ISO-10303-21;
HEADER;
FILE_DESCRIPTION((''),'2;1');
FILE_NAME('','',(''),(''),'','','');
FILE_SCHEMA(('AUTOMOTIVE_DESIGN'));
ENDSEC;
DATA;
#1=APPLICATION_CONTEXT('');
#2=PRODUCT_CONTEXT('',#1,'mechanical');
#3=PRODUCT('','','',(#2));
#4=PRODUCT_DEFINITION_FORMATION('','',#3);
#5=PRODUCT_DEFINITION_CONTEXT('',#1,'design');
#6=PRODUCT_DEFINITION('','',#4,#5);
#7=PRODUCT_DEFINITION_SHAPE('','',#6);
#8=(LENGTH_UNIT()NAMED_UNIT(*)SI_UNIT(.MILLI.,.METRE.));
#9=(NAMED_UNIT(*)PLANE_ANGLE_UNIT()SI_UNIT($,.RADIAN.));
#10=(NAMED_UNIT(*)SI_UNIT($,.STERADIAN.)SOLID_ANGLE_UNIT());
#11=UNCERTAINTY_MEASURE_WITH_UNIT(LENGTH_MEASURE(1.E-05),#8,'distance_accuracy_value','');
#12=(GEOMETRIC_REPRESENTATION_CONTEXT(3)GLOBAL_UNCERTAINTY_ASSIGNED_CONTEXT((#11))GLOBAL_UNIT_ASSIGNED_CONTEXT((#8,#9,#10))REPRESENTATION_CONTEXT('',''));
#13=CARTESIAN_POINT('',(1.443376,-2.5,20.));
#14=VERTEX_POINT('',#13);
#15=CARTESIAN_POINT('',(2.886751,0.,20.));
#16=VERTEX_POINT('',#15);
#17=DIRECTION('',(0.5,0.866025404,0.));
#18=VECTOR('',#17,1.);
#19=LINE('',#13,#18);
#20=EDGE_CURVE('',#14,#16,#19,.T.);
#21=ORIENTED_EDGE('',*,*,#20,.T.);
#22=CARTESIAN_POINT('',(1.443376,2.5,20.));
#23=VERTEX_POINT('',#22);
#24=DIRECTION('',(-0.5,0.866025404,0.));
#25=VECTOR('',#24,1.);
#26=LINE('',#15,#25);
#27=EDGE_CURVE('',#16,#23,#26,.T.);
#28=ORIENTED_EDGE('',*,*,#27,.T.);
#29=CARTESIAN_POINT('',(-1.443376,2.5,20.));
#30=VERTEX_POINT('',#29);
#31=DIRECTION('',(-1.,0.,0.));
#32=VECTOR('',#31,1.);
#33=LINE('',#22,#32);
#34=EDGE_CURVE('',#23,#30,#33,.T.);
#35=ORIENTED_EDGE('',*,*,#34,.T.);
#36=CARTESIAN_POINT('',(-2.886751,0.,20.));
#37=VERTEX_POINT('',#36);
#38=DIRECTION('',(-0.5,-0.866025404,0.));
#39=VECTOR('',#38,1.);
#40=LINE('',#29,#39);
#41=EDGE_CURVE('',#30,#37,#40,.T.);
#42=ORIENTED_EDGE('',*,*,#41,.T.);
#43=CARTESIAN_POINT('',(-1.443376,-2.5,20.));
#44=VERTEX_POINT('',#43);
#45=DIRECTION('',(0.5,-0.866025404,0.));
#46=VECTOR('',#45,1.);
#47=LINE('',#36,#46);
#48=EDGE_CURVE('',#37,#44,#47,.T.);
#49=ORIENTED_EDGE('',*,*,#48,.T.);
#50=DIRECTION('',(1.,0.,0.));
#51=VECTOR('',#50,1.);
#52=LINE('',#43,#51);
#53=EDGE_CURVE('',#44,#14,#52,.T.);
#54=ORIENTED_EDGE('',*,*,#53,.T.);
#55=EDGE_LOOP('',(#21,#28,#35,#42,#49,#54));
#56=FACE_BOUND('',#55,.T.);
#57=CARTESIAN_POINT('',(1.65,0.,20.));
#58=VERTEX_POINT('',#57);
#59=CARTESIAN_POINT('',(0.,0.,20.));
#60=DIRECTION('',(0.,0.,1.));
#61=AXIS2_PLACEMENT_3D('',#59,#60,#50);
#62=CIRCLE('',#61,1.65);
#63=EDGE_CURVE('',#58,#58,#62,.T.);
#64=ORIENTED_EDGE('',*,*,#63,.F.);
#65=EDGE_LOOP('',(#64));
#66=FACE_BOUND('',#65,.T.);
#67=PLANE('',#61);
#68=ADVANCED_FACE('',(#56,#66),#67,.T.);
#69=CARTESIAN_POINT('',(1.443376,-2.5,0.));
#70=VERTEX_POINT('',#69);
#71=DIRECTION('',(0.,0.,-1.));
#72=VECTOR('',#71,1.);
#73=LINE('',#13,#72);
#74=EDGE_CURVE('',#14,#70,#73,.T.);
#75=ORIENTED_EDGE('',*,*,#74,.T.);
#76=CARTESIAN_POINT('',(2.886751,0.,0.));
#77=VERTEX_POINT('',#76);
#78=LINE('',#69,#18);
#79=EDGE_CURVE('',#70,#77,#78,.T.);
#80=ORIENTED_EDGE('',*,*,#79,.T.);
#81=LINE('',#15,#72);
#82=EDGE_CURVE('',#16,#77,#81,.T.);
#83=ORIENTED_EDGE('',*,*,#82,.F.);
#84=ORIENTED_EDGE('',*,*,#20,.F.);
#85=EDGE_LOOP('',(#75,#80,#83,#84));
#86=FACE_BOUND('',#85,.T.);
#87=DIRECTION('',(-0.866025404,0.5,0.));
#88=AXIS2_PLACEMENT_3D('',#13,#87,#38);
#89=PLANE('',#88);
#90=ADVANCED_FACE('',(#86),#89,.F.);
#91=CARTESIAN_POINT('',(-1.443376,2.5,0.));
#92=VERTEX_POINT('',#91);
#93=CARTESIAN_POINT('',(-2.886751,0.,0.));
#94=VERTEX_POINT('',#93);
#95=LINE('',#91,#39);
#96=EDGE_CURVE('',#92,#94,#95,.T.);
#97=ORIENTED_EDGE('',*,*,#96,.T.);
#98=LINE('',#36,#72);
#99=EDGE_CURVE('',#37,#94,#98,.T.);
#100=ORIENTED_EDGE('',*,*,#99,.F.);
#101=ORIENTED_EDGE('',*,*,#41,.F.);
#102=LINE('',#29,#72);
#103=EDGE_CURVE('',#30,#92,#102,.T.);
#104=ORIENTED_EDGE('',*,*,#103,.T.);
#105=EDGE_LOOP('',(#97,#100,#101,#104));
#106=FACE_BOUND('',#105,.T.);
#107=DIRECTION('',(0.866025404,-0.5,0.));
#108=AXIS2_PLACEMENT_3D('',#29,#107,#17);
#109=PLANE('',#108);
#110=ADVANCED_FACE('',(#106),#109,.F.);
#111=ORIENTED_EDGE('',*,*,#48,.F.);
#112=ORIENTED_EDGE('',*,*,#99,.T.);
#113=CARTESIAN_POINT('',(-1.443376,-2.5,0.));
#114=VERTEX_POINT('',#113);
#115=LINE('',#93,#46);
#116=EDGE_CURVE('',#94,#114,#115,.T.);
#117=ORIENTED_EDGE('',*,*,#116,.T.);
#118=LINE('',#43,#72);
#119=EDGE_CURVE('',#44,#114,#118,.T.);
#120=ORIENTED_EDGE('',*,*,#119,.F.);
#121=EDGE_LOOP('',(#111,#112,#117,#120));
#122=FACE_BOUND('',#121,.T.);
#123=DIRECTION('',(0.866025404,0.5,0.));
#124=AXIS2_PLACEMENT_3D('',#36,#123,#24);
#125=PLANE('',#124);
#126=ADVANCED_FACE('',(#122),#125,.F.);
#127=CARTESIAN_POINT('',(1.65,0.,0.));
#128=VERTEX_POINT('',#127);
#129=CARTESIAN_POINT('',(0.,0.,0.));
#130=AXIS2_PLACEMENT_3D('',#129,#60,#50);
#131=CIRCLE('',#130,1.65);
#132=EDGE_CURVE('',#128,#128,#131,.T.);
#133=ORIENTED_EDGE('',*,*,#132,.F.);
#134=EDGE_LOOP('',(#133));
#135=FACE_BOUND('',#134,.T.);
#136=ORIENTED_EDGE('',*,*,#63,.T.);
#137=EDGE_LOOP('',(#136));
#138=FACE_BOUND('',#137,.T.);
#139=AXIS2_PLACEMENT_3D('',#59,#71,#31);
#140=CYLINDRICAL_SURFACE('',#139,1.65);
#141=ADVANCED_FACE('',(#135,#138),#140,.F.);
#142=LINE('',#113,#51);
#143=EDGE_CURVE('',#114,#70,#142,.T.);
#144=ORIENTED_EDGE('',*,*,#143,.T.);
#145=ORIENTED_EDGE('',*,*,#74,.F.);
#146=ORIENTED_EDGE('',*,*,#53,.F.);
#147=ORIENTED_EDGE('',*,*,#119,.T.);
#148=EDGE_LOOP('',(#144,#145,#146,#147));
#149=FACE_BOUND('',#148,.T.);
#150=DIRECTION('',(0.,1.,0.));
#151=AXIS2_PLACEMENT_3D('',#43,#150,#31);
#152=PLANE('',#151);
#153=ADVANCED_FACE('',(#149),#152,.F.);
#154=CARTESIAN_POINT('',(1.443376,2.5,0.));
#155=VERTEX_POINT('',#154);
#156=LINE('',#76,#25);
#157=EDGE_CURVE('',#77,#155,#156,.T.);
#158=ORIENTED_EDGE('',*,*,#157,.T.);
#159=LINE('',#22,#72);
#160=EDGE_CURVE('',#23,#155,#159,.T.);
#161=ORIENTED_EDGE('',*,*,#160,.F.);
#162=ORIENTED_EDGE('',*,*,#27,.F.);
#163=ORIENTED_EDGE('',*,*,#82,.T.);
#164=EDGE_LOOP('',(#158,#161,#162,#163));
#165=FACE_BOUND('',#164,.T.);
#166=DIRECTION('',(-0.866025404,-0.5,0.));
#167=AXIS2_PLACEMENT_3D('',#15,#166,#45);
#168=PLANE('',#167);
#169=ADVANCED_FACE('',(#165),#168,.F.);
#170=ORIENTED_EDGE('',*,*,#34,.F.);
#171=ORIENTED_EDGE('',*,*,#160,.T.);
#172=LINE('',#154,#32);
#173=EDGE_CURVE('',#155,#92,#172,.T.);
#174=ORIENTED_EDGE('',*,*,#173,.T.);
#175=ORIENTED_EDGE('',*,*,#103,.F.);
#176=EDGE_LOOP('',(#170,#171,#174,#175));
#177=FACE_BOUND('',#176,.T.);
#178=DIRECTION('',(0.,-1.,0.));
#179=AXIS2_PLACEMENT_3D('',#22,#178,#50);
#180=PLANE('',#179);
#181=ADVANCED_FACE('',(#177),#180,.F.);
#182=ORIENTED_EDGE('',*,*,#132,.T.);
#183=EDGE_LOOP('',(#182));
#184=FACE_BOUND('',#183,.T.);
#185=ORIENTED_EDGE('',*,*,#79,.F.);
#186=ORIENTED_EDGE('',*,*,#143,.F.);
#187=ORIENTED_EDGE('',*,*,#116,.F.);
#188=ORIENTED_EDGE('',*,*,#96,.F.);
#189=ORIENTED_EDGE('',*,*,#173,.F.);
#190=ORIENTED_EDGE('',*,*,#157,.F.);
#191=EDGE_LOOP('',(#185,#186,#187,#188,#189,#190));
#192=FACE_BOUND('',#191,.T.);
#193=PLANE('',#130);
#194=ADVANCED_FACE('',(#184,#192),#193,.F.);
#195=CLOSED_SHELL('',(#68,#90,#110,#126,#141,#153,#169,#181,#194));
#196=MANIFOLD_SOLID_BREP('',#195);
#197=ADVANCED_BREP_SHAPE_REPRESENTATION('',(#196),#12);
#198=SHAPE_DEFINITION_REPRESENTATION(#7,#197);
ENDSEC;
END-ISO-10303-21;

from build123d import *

# Parameters (mm, degrees)
SKETCH_1_R           = 1.65
F_20MM_M3_D3P3_DEPTH = 20


with BuildPart() as part:
    # 草图1 → 20mm铝柱_M3通孔_D3p3 (new body)
    with BuildSketch(Plane.XY):
        Polygon((2.886751346, 0), (1.443375673, 2.5), (-1.443375673, 2.5), (-2.886751346, 0), (-1.443375673, -2.5), (1.443375673, -2.5), align=None)
        Circle(SKETCH_1_R, mode=Mode.SUBTRACT)
    extrude(amount=F_20MM_M3_D3P3_DEPTH)


solid = part.part
